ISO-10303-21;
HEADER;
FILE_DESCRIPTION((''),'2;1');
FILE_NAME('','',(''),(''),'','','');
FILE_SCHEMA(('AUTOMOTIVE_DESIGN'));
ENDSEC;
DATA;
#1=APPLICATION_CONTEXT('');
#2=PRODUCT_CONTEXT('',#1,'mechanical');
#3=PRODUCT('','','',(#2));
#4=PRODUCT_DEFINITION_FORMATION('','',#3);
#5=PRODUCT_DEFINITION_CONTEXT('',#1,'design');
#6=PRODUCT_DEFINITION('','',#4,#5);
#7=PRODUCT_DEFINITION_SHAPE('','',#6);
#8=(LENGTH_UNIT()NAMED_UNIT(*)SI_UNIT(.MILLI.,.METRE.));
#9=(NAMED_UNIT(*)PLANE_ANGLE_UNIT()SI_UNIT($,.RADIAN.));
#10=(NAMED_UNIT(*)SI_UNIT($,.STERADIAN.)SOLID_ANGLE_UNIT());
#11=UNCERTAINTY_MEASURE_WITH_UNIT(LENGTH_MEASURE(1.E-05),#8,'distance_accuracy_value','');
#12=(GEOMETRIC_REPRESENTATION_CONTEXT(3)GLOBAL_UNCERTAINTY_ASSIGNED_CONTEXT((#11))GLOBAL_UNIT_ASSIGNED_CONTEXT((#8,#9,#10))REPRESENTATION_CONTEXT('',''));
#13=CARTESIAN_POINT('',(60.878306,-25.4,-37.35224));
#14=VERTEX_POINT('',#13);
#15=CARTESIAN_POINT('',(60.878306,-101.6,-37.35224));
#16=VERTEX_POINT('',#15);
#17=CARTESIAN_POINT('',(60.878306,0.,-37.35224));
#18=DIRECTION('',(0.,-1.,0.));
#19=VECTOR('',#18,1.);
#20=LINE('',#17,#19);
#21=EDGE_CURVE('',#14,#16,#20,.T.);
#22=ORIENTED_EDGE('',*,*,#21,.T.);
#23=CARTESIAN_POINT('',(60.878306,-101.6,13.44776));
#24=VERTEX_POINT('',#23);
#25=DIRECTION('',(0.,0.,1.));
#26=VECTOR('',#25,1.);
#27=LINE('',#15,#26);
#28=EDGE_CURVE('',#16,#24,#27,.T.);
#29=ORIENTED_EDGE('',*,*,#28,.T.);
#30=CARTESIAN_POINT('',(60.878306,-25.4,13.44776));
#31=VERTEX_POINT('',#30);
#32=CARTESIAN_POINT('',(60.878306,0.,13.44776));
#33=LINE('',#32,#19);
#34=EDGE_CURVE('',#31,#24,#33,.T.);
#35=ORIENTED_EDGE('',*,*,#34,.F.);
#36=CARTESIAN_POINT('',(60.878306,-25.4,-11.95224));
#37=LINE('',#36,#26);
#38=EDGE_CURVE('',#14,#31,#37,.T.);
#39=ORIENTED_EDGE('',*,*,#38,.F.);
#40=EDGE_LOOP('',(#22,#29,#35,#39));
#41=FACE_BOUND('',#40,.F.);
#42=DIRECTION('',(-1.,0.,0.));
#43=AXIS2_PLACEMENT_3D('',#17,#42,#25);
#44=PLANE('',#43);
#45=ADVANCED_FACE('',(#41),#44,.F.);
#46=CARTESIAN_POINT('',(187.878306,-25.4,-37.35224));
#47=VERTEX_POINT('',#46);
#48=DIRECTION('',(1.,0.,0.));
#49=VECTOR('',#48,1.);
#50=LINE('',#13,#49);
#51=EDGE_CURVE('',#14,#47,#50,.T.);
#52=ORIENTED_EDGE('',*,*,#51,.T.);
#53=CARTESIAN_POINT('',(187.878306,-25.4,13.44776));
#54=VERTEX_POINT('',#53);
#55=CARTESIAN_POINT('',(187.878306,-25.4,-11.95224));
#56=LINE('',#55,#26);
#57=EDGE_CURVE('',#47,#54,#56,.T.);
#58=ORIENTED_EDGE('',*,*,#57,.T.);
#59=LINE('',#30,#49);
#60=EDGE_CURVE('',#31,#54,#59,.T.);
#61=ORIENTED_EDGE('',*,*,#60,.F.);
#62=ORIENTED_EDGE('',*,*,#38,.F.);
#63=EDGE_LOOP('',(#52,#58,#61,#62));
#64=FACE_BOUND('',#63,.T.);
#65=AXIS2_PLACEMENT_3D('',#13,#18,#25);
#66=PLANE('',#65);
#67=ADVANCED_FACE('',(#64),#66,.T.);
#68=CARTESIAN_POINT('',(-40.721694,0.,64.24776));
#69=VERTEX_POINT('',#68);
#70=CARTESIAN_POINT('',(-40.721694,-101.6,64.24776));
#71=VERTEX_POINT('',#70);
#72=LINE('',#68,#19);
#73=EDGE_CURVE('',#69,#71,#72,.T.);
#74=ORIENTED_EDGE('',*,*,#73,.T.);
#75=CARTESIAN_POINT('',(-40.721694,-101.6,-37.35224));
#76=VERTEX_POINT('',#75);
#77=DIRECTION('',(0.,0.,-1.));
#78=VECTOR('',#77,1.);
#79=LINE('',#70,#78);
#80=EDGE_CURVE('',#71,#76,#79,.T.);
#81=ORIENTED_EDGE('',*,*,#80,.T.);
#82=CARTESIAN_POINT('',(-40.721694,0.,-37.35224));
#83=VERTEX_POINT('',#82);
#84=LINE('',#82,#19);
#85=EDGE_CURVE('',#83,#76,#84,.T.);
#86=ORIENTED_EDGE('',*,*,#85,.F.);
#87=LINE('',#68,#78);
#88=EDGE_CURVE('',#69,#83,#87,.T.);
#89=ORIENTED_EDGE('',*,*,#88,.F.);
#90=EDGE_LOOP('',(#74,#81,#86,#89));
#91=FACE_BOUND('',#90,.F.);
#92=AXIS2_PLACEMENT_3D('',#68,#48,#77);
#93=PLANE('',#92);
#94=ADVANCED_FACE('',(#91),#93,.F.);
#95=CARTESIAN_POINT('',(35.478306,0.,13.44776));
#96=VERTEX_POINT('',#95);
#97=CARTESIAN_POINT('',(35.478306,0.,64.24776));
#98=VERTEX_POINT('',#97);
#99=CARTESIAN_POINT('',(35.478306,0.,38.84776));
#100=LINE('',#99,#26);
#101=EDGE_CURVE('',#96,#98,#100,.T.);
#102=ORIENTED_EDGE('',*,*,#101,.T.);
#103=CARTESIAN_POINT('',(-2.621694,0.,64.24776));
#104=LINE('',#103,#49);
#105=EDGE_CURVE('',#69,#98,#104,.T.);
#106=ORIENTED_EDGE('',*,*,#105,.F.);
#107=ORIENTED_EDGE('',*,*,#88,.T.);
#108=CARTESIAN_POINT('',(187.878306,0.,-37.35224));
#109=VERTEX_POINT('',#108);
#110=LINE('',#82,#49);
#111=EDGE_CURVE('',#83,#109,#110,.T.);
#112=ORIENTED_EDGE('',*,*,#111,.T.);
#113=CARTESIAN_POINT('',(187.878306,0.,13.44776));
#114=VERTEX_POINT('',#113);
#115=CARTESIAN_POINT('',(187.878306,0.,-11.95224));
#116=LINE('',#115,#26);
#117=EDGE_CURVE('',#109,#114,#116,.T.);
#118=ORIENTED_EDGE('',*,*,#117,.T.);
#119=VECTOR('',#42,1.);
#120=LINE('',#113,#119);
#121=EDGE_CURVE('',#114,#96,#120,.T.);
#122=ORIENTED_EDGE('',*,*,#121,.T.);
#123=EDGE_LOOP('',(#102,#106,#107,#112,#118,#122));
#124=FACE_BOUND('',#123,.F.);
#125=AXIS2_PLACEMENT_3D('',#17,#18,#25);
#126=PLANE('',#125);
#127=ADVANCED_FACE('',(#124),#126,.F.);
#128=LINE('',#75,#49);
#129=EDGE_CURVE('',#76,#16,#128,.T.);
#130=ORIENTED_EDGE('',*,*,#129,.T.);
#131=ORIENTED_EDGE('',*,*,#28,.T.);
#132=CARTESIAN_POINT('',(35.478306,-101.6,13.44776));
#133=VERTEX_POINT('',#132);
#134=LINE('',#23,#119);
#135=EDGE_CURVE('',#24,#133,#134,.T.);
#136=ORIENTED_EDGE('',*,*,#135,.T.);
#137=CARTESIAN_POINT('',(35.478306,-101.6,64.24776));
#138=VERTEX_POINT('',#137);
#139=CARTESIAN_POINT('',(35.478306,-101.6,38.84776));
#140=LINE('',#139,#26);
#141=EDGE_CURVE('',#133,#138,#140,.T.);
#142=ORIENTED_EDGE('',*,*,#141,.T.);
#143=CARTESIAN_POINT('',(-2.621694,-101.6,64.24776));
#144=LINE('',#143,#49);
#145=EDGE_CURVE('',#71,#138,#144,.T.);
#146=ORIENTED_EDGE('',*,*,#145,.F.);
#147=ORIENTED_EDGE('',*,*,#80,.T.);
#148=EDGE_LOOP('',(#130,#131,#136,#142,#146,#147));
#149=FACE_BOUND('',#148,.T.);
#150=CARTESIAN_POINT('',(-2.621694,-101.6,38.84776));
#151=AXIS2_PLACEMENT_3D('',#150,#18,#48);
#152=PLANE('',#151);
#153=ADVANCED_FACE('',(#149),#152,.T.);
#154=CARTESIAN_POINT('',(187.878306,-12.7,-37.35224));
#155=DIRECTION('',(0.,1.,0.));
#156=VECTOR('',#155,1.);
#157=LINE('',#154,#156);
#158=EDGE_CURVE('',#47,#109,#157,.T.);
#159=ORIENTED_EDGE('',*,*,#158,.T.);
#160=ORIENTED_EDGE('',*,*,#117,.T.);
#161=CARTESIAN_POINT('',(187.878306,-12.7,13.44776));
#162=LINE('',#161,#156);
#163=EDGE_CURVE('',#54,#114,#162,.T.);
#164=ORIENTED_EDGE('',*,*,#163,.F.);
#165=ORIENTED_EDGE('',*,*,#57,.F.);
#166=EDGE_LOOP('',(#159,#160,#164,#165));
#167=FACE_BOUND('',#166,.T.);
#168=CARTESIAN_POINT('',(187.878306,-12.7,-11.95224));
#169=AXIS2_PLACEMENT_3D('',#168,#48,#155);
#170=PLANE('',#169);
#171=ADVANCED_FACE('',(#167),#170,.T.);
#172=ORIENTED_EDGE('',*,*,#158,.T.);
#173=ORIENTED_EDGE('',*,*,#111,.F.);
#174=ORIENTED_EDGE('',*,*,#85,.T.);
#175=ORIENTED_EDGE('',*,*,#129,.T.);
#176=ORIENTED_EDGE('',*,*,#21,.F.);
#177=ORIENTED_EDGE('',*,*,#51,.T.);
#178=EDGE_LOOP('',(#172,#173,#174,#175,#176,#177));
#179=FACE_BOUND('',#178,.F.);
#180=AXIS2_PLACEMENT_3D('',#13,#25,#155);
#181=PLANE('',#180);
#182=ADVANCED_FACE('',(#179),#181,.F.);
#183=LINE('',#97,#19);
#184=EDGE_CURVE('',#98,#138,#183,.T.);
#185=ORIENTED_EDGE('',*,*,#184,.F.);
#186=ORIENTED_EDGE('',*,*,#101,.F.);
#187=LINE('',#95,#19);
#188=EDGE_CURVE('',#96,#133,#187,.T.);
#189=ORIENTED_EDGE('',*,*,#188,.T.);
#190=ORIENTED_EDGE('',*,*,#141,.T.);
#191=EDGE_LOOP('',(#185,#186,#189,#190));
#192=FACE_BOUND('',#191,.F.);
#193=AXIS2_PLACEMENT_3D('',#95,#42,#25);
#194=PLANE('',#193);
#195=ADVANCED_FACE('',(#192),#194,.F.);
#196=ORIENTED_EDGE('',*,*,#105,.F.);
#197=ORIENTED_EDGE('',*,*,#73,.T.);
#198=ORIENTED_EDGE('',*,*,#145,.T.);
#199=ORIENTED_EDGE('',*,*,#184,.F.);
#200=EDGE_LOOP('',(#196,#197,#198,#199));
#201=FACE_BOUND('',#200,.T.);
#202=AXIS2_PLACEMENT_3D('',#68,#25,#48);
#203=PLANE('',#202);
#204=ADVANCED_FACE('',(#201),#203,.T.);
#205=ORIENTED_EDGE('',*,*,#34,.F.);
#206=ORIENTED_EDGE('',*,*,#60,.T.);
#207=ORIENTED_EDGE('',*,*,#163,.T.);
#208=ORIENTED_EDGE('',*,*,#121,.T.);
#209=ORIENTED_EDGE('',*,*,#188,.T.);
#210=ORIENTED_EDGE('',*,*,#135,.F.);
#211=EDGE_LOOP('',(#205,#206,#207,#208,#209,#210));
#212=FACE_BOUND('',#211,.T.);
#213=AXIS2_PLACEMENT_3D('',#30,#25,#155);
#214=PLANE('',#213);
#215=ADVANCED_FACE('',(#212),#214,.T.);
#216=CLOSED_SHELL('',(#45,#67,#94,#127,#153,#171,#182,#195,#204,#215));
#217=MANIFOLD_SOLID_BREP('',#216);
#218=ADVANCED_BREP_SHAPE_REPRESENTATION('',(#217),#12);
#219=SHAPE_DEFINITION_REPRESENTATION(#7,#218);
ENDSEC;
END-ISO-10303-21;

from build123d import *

# Parameters (mm, degrees)
F0_W     = 76.2
F0_H     = 50.8
F1_DEPTH = 101.6
F2_W     = 25.4
F2_H     = 50.8
F3_DEPTH = 127


with BuildPart() as f1:
    # F0 (on Front) → F1 (new body)
    with BuildSketch(Plane.XZ):
        with Locations((-2.621694, 38.84776)):
            Rectangle(F0_W, F0_H)
        Polygon((35.478306, 13.44776), (-40.721694, 13.44776), (-40.721694, -37.35224), (60.878306, -37.35224), (60.878306, 13.44776), align=None)
    extrude(amount=F1_DEPTH)

    # F2 (on face) → F3 (join)
    with BuildSketch(Plane.YZ.offset(60.878306)):
        with Locations((-12.7, -11.95224)):
            Rectangle(F2_W, F2_H)
    extrude(amount=F3_DEPTH)


solid = f1.part
